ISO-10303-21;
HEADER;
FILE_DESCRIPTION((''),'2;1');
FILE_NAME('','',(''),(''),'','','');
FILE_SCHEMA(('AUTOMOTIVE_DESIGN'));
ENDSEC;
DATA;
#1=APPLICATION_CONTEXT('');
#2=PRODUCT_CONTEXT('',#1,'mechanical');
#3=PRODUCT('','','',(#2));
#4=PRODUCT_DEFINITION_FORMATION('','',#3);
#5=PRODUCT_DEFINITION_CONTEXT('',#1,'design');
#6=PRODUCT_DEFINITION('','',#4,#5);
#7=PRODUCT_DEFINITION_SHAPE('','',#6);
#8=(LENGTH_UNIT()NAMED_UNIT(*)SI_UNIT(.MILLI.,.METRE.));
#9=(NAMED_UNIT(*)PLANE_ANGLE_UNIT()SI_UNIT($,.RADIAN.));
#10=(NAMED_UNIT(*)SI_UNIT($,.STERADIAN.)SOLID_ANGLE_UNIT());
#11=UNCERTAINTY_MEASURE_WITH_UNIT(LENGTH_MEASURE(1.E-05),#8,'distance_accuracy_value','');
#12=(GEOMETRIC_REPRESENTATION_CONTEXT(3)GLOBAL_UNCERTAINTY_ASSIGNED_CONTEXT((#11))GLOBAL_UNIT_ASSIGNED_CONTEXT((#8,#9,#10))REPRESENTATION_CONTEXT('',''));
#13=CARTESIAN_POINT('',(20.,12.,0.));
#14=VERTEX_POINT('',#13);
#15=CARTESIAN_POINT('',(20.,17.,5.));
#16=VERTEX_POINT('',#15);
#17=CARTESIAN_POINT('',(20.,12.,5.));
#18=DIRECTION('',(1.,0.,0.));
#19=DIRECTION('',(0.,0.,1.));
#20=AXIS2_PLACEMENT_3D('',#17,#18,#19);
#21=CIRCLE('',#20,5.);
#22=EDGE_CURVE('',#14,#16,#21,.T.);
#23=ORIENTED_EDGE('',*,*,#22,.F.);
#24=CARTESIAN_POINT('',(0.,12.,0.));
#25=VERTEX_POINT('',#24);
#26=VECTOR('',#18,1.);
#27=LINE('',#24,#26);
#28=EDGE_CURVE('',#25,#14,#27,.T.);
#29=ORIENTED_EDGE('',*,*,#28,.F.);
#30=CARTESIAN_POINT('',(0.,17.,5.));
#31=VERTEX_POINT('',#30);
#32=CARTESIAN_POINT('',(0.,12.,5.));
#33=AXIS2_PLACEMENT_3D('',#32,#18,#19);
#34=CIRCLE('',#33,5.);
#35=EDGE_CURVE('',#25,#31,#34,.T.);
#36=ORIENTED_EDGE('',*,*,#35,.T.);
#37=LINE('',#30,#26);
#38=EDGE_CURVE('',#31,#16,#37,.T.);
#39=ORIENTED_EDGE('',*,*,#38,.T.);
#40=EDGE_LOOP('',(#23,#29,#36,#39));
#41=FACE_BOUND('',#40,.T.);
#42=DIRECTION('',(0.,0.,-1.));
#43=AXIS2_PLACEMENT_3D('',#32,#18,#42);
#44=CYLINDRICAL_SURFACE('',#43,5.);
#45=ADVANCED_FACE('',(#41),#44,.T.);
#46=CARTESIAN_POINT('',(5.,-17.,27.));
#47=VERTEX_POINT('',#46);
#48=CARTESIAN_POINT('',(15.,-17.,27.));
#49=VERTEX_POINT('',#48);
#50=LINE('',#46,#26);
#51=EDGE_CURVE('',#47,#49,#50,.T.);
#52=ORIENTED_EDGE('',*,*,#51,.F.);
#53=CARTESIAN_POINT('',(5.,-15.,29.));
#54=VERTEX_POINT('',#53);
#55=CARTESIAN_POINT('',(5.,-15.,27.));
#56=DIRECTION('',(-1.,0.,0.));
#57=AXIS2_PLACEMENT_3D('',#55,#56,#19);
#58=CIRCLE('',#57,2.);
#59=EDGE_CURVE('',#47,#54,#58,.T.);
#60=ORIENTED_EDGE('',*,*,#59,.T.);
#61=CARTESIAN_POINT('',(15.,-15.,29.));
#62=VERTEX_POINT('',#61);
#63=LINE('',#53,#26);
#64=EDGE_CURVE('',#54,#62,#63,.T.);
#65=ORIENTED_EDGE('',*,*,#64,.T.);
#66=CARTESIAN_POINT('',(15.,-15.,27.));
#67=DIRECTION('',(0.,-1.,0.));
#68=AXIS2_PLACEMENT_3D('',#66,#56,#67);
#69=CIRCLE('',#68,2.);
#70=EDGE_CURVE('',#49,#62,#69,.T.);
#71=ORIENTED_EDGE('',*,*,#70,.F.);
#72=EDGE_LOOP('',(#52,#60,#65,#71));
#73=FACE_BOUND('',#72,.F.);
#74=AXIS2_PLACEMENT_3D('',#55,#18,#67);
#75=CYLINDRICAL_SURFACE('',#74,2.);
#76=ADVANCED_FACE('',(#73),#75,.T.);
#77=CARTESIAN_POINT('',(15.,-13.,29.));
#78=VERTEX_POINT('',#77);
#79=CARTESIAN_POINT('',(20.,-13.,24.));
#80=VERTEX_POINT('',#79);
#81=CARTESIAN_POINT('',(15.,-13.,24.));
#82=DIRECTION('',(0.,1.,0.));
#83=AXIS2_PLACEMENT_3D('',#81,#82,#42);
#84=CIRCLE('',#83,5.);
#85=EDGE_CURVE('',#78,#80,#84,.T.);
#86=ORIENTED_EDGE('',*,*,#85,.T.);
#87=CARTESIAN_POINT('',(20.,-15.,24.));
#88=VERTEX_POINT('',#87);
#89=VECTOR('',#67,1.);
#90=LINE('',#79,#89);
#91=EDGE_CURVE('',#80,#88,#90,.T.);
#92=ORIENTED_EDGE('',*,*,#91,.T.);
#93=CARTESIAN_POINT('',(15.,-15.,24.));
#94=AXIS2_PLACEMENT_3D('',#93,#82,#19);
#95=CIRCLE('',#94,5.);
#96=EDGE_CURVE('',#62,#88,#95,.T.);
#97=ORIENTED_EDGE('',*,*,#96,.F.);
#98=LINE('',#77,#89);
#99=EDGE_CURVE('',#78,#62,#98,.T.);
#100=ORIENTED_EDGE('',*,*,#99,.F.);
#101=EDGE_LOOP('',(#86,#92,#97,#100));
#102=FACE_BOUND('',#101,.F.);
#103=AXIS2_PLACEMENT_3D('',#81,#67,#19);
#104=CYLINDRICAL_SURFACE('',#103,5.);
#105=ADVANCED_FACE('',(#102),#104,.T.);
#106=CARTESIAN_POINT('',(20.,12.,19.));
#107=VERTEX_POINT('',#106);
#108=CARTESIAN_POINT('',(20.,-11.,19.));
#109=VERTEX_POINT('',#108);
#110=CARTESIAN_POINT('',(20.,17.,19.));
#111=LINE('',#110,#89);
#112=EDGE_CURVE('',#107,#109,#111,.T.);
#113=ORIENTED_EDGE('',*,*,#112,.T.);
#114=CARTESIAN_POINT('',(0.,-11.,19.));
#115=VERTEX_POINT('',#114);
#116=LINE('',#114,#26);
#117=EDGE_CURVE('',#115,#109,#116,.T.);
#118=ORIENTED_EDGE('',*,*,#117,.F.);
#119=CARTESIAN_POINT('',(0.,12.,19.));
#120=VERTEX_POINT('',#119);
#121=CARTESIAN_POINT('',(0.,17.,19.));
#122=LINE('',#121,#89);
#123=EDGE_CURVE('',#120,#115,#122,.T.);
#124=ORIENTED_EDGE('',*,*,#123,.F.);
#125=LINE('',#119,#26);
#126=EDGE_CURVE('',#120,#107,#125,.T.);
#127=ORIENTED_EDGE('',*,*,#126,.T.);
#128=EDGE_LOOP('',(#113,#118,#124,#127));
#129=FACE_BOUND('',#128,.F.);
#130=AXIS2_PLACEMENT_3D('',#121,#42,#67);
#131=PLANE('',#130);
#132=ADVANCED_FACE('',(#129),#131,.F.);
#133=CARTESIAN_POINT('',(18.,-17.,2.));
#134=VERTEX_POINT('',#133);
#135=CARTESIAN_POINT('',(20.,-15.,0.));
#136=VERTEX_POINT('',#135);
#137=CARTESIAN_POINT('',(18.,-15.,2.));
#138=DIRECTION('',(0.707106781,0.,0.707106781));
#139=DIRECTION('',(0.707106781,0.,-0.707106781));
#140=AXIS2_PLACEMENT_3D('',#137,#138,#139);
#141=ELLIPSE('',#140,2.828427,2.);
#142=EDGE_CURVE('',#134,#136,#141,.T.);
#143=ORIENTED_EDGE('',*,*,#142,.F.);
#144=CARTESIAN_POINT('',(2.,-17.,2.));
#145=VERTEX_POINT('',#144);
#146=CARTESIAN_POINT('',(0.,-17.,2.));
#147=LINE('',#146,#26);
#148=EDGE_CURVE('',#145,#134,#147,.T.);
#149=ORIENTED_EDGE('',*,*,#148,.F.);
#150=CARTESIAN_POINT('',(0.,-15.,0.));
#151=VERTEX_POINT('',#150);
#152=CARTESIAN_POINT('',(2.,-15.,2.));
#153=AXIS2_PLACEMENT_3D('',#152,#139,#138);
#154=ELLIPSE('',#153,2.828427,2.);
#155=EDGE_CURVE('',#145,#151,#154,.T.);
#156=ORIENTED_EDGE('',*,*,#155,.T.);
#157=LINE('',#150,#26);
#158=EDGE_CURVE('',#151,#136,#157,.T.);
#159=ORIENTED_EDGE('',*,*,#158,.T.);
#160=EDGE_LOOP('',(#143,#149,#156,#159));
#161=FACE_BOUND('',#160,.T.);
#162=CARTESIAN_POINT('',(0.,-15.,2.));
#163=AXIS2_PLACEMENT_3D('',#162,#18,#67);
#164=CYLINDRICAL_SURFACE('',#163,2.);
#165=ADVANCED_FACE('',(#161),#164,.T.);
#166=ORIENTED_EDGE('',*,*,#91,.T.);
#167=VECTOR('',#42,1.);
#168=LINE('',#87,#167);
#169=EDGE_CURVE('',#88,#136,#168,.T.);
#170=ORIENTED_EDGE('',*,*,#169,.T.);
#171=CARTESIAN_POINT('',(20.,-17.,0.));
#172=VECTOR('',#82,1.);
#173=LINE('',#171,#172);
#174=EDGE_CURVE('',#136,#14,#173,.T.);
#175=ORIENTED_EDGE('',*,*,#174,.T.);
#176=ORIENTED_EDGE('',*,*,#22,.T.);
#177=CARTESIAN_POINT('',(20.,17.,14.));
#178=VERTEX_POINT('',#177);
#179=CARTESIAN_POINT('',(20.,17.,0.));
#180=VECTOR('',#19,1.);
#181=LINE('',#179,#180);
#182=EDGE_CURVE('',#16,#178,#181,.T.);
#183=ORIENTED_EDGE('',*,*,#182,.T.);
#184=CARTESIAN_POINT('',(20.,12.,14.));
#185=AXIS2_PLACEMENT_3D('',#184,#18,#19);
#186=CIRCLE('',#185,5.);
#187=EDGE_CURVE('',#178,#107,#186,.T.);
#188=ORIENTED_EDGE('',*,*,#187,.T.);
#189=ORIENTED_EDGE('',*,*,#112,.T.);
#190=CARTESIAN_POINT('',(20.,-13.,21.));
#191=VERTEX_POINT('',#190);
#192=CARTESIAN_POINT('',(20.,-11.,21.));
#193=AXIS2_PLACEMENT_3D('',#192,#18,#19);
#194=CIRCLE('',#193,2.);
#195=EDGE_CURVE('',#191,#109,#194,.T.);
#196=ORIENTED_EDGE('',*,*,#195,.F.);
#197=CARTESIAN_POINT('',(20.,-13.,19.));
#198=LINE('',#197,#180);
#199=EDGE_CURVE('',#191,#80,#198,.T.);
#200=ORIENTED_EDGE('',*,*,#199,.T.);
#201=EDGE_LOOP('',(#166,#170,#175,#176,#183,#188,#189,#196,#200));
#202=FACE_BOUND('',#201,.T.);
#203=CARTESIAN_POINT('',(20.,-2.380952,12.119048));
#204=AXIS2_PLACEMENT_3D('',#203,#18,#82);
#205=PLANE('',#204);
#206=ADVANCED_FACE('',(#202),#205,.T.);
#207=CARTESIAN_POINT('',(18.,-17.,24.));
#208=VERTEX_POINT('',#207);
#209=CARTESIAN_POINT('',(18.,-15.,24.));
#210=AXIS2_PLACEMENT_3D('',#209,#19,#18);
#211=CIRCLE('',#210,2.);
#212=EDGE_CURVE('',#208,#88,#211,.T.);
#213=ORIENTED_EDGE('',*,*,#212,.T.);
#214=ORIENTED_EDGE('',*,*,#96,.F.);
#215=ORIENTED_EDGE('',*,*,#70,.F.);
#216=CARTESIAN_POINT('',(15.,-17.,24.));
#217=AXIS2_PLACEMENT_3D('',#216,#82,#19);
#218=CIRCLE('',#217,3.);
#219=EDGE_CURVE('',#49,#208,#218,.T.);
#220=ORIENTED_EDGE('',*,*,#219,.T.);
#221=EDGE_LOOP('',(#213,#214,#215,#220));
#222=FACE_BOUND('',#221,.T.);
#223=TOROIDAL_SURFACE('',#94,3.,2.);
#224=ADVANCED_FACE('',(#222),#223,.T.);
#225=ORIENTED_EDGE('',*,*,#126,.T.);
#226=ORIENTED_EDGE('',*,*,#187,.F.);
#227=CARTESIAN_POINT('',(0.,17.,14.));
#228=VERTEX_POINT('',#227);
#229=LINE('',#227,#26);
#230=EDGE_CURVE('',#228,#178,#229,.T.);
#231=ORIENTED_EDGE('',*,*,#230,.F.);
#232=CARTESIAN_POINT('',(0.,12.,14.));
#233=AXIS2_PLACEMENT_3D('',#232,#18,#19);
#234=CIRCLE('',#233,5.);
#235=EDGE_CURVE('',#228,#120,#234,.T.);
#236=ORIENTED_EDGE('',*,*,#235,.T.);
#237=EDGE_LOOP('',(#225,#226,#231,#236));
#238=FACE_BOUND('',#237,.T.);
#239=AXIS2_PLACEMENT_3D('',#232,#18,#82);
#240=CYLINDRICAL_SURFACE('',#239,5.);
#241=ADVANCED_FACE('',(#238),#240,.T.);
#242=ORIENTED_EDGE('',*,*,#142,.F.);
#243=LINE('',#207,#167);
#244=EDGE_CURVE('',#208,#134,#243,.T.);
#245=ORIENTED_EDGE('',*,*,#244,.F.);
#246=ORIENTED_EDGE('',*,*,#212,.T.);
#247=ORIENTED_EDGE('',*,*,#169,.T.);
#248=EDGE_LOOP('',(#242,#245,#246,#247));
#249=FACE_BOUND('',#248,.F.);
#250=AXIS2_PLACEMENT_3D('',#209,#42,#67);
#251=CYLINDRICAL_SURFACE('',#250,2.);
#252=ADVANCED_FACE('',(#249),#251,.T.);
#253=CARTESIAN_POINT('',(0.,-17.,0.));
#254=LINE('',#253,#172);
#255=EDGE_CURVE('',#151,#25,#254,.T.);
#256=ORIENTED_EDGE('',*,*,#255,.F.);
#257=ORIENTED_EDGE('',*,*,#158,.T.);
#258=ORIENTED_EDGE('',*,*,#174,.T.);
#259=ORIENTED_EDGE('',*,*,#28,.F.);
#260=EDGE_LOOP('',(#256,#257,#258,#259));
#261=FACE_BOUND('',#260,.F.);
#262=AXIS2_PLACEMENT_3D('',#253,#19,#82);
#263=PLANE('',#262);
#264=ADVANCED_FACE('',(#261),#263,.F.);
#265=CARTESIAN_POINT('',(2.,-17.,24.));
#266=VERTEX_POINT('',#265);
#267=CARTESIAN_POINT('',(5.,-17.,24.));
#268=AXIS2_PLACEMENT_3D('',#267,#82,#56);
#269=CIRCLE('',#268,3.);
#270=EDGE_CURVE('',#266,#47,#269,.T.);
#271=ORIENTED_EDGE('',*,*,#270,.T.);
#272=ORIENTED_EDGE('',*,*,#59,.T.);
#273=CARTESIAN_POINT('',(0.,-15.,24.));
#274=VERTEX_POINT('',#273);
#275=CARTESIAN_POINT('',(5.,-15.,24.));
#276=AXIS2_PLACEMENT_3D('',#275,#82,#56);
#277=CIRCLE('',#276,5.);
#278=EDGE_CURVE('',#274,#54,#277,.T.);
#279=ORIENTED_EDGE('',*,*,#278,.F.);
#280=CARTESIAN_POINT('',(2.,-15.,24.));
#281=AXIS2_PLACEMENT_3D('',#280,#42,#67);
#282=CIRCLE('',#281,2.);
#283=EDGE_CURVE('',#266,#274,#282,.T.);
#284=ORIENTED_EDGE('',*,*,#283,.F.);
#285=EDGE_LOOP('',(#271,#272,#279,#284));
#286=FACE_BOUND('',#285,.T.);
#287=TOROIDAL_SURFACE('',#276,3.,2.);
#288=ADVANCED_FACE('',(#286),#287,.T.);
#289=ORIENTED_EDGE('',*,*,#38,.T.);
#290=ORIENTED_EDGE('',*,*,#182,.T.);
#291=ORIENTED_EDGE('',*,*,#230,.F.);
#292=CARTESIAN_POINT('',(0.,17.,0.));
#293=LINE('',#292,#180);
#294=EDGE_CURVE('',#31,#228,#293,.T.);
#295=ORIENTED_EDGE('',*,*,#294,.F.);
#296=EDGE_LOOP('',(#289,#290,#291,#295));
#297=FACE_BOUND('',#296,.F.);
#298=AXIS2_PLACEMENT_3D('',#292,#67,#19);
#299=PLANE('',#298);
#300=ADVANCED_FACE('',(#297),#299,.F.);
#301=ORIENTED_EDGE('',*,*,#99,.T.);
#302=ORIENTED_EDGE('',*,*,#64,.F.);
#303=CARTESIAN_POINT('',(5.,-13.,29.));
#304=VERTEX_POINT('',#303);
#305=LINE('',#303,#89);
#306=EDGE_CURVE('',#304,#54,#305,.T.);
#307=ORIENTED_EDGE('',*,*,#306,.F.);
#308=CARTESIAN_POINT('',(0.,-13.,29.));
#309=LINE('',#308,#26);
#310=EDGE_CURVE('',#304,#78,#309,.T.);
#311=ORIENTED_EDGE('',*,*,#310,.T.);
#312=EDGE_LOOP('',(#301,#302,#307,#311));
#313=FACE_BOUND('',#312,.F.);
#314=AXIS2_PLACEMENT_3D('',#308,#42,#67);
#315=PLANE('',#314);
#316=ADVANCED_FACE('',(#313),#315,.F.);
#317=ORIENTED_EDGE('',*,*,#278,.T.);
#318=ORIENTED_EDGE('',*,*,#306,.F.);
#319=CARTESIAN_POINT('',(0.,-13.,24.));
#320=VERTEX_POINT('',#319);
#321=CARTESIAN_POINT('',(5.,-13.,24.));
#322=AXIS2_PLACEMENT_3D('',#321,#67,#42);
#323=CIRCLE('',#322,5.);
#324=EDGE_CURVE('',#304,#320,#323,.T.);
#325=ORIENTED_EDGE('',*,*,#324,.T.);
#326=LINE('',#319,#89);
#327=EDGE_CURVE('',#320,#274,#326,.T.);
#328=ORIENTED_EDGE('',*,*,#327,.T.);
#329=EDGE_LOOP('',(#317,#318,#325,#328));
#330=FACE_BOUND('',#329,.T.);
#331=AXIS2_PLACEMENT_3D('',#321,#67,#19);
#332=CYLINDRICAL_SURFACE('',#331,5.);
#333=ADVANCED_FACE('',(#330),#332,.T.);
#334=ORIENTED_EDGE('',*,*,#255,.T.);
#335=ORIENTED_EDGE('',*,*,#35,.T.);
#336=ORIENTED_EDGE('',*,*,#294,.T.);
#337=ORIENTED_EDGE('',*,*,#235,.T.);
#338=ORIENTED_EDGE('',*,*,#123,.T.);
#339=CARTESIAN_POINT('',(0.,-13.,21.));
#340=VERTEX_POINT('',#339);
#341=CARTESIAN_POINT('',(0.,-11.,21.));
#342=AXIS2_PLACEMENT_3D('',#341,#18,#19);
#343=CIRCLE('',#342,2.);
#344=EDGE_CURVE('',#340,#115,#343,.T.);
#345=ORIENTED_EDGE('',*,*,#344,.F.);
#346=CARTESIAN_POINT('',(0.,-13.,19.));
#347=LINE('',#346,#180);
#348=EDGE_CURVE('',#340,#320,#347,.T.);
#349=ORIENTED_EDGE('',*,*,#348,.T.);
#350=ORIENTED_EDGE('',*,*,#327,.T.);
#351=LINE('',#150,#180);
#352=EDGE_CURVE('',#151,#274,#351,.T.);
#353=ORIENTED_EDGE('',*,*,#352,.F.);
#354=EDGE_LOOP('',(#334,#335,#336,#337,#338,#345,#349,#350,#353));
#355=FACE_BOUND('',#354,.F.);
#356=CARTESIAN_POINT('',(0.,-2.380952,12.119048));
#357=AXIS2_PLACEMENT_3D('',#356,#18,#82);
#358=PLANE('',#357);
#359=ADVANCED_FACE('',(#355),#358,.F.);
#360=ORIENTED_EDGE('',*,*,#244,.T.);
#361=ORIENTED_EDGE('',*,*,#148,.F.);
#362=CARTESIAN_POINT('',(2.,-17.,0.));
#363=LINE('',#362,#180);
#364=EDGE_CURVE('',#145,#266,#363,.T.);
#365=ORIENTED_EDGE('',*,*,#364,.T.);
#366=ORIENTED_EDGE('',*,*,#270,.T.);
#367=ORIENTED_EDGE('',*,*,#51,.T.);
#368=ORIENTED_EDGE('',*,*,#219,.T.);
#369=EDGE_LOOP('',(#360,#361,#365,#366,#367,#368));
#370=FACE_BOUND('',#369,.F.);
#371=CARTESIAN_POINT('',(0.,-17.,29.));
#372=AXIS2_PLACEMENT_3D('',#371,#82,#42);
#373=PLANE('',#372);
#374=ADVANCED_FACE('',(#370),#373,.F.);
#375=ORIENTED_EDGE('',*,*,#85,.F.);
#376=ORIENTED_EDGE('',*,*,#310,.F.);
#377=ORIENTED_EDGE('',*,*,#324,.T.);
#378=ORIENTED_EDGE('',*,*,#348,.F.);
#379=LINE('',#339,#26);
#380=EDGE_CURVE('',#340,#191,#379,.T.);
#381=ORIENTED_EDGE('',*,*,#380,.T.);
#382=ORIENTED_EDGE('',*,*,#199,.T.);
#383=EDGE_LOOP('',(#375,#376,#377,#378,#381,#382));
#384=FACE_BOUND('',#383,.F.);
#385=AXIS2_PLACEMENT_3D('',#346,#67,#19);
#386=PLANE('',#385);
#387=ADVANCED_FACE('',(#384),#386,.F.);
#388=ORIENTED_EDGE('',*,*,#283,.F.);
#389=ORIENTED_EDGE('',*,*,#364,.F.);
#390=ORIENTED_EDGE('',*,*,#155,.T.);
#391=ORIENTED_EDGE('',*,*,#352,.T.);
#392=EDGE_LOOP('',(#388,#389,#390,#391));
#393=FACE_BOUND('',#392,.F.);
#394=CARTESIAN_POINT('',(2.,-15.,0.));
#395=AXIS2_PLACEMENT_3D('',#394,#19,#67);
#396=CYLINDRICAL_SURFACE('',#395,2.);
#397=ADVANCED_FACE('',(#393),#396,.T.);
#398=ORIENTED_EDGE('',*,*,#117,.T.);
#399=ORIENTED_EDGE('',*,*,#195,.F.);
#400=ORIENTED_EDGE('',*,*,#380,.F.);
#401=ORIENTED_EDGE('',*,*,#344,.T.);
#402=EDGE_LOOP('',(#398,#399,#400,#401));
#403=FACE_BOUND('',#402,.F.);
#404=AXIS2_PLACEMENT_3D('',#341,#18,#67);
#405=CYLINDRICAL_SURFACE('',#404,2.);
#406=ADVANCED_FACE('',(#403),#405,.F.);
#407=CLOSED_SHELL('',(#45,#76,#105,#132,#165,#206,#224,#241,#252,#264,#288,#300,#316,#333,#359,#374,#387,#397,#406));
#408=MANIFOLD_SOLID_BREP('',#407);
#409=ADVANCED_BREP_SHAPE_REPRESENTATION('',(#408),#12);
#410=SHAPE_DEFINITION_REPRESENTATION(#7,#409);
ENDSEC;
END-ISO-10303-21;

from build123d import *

# Parameters (mm, degrees)
F1_DEPTH = 20
F2_R     = 5
F3_R     = 2


with BuildPart() as f1:
    # F0 (on Right) → F1 (new body)
    with BuildSketch(Plane.YZ):
        Polygon((-17, 29), (-17, 0), (17, 0), (17, 19), (-13, 19), (-13, 29), align=None)
    extrude(amount=F1_DEPTH)

    # F2
    f2_edges = [f1.edges().sort_by_distance(p)[0] for p in [
        (20, -15, 29),
        (0, -15, 29),
        (10, 17, 19),
        (10, 17, 0),
    ]]
    fillet(f2_edges, radius=F2_R)

    # F3
    f3_edges = [f1.edges().sort_by_distance(p)[0] for p in [
        (10, -17, 0),
        (10, -17, 29),
        (10, -13, 19),
    ]]
    fillet(f3_edges, radius=F3_R)


solid = f1.part
